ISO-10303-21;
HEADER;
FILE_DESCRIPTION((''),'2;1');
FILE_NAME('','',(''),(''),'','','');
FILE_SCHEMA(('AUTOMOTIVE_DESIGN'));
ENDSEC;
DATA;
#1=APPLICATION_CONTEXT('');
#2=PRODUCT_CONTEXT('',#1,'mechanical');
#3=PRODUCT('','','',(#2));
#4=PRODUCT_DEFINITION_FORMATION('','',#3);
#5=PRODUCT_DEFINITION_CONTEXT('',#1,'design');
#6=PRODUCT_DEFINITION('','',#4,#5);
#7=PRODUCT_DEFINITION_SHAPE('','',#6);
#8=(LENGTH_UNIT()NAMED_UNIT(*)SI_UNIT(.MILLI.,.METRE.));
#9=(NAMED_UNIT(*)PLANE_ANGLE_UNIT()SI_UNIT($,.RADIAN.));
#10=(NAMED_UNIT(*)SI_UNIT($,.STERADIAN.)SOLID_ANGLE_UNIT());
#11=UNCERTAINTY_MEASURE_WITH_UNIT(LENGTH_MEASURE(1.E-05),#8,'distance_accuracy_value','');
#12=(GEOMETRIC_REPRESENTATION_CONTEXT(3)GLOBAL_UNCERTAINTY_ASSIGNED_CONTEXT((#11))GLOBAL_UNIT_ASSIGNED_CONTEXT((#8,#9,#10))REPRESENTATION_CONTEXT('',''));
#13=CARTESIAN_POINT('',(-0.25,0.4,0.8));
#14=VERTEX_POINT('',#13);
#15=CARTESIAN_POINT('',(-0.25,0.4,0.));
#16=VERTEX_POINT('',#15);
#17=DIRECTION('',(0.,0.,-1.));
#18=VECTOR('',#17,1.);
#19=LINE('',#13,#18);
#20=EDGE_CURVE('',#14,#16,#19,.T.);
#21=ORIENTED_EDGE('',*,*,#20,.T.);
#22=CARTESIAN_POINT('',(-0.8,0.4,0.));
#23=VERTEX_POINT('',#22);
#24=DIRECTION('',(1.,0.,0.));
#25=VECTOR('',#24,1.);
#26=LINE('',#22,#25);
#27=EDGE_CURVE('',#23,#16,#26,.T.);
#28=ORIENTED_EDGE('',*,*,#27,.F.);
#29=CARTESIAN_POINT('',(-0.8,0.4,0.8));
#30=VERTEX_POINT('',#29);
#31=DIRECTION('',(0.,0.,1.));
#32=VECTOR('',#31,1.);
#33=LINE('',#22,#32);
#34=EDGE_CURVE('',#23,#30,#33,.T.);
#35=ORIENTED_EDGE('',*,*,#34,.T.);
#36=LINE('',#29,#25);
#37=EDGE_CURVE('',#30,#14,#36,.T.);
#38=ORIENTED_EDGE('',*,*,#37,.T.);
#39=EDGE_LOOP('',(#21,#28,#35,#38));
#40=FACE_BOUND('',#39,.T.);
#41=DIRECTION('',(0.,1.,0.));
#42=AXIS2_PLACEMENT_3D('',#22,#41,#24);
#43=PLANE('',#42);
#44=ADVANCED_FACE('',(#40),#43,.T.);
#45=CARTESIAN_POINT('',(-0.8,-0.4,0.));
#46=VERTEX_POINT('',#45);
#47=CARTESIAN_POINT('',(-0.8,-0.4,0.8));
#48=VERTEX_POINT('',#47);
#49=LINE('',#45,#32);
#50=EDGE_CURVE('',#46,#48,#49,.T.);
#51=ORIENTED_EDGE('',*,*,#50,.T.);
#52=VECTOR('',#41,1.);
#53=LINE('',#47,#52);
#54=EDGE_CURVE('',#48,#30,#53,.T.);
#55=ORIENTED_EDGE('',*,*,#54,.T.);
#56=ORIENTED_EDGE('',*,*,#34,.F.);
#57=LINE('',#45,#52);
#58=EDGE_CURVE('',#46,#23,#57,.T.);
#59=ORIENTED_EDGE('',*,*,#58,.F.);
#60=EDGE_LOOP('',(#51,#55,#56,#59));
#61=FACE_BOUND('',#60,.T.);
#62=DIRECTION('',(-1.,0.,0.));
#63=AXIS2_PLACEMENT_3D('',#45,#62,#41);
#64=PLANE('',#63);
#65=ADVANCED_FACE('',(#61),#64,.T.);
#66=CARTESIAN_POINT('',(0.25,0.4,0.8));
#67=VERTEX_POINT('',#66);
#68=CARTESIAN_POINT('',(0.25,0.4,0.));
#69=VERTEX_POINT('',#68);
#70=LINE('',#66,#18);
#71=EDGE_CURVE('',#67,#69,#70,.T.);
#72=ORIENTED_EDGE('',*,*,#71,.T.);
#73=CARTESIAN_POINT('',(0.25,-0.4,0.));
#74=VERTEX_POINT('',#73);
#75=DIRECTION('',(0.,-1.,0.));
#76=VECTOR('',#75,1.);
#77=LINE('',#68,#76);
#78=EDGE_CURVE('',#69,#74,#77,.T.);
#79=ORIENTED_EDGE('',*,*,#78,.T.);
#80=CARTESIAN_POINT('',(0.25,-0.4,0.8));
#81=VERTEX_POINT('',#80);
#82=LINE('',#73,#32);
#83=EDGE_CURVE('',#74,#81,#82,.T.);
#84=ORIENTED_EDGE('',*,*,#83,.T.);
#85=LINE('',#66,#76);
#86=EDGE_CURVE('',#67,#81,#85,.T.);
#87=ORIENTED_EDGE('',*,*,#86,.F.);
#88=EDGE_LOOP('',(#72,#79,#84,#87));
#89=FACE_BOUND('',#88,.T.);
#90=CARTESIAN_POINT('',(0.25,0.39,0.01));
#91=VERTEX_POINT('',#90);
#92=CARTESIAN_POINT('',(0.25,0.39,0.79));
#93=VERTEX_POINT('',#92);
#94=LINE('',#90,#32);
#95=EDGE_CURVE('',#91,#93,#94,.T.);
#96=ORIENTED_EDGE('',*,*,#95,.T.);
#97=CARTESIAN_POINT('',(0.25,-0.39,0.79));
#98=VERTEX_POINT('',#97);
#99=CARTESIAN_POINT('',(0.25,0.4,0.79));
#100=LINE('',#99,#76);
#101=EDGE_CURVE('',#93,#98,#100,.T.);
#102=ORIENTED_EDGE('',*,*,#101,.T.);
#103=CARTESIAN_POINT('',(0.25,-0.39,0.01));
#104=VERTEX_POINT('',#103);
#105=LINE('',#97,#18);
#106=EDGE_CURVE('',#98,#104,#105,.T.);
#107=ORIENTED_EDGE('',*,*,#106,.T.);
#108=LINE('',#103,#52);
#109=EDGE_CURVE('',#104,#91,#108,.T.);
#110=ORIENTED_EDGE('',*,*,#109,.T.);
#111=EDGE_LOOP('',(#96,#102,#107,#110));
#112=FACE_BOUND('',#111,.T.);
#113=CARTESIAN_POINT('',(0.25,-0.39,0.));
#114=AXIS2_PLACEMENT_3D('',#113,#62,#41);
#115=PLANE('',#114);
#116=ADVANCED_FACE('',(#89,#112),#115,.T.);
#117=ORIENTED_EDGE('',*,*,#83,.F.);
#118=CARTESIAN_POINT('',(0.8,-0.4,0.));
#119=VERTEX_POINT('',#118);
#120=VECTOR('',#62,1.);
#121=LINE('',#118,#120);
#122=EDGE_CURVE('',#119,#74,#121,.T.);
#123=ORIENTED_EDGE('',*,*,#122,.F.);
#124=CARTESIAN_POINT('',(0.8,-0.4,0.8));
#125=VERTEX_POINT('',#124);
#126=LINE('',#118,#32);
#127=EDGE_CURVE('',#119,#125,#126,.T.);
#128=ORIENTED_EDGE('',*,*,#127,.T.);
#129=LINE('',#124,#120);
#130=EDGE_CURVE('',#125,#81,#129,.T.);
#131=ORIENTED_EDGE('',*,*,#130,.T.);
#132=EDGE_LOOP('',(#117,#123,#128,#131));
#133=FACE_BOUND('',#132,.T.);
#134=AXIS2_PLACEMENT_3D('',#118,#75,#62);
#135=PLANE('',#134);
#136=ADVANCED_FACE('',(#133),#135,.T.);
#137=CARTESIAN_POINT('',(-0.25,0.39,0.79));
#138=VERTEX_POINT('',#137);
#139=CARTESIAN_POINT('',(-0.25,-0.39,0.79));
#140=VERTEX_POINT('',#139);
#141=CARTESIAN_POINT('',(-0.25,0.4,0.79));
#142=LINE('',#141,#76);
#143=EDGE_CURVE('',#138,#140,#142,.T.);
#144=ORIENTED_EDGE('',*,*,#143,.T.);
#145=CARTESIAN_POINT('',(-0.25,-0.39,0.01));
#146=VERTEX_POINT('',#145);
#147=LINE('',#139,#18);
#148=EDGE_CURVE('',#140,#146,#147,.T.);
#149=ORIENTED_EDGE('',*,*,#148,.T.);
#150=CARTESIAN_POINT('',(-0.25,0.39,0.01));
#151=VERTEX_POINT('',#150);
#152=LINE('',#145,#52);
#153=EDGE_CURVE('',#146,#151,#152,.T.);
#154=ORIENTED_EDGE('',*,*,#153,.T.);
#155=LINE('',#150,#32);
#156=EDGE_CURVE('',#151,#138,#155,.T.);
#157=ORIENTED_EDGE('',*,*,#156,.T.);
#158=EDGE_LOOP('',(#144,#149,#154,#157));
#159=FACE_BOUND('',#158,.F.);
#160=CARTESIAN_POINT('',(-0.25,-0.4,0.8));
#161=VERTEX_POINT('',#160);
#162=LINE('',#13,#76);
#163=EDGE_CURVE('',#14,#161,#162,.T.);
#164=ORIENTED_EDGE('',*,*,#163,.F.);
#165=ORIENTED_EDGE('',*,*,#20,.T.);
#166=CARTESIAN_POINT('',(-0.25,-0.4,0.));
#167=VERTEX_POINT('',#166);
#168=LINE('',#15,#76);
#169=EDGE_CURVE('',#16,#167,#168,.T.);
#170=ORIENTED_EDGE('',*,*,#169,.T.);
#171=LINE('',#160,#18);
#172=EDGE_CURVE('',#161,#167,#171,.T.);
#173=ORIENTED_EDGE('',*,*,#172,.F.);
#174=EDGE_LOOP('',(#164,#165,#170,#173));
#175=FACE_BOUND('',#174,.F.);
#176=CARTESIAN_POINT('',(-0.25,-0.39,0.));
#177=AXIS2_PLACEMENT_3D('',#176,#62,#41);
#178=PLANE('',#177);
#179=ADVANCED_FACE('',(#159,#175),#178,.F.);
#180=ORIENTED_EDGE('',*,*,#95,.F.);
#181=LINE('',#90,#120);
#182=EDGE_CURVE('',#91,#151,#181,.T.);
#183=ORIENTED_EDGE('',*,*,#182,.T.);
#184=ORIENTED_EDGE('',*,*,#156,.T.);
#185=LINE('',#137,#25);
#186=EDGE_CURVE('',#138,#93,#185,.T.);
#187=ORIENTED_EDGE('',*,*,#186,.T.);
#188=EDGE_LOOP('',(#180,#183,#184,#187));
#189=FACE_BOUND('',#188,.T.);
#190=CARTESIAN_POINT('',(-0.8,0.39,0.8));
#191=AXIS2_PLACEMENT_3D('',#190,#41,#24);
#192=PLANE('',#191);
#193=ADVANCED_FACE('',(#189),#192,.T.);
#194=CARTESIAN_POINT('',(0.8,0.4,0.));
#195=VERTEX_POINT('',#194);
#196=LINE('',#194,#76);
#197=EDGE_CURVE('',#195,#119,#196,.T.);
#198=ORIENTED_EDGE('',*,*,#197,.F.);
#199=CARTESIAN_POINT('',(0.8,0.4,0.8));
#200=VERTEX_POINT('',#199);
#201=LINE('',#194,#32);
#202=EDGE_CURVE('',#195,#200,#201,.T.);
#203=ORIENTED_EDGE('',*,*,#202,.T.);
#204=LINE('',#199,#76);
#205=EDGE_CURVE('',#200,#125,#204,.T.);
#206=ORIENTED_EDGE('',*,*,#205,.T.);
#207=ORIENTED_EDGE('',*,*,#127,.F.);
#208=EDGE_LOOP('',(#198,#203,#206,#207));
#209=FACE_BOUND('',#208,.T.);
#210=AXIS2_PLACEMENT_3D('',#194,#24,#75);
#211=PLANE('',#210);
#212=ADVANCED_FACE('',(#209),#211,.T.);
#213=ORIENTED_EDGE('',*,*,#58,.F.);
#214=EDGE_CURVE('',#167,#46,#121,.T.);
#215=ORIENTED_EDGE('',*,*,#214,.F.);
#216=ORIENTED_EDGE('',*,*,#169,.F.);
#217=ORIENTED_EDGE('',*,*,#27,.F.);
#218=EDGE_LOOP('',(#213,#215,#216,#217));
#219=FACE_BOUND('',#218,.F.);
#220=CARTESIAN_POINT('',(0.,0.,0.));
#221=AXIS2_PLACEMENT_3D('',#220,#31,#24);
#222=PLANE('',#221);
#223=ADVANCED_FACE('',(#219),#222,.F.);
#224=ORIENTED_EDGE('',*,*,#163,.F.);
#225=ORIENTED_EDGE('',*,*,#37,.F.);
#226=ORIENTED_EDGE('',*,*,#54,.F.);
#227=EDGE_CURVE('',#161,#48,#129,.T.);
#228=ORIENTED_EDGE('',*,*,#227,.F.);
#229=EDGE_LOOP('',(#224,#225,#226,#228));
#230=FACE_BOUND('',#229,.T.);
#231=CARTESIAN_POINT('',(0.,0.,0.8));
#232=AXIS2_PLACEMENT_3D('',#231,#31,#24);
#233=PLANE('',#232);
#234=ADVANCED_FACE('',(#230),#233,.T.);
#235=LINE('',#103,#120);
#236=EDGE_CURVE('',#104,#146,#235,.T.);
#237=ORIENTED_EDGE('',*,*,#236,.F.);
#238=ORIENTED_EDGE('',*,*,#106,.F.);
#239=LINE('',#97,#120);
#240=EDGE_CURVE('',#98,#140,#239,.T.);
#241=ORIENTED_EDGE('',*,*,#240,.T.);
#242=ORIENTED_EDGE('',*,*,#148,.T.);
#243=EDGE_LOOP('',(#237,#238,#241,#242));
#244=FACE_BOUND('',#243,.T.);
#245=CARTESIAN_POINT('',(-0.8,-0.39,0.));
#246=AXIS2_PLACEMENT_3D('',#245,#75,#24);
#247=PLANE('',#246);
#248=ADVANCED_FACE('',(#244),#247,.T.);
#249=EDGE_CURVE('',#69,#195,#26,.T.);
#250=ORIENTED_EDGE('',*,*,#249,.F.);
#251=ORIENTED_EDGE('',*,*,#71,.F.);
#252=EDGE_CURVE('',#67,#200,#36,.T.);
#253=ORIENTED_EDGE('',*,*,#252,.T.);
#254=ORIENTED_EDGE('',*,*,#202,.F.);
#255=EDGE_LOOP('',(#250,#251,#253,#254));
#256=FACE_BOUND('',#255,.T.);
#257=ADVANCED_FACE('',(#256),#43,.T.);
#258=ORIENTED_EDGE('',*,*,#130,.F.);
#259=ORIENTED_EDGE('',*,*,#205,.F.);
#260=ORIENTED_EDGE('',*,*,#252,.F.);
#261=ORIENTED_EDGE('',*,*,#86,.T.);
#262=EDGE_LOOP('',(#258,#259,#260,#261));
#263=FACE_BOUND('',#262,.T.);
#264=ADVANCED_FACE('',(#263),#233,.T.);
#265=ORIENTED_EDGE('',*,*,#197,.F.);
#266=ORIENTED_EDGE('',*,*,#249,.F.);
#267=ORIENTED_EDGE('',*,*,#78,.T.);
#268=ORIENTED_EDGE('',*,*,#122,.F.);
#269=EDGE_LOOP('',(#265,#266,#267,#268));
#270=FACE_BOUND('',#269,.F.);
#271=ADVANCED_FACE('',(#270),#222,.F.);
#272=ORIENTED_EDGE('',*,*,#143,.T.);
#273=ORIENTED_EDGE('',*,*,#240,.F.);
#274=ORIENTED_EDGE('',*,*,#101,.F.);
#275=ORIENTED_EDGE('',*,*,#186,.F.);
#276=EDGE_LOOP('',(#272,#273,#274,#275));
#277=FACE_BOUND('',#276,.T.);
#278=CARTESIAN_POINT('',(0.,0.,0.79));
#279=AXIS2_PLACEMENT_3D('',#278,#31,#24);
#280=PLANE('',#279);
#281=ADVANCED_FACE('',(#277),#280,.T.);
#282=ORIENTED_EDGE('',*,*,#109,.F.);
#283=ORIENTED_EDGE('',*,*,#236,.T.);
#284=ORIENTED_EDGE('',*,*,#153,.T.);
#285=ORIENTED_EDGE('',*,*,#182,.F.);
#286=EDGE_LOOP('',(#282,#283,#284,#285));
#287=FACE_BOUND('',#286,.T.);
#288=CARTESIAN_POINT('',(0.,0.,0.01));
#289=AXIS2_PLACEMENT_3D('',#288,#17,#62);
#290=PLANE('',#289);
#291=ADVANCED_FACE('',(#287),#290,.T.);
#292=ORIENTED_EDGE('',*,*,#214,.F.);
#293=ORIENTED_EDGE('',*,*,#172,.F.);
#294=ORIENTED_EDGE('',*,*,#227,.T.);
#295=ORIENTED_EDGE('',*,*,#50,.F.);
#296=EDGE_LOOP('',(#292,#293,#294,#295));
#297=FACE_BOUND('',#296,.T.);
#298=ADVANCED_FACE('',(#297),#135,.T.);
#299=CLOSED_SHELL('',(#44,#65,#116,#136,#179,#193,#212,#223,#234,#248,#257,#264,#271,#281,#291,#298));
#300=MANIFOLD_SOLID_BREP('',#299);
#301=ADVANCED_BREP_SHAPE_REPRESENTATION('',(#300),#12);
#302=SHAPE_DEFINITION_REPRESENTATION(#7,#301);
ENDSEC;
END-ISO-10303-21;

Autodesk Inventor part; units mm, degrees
ref_plane "YZ Plane" through (0, 0, 0) normal (1, 0, 0) x (0, 1, 0)
ref_plane "XZ Plane" through (0, 0, 0) normal (0, 1, 0) x (-1, 0, 0)
ref_plane "XY Plane" through (0, 0, 0) normal (0, 0, 1) x (1, 0, 0)
sketch "Эскиз1" plane through (0, 0, 0) normal (0, 0, 1) x (1, 0, 0)
  line L0 (-0.8, 0.4) -> (0.8, 0.4)
  line L1 (0.8, 0.4) -> (0.8, -0.4)
  line L2 (0.8, -0.4) -> (-0.8, -0.4)
  line L3 (-0.8, -0.4) -> (-0.8, 0.4)
  point P0 (0, 0)
  dimension "d0" = 1.6
  dimension "d1" = 0.8
  dimension "d2" = 0.8
  dimension "d3" = 0.8
  dimension "d4" = 0.4
  dimension "d5" = 0.4
extrude "Выдавливание1" add sketch "Эскиз1" along normal blind 0.8
sketch "Эскиз2" plane through (0, 0, 0.8) normal (0, 0, 1) x (1, 0, 0)
  line L0 (0.8, 0.4) -> (0.8, -0.4) projected
  line L1 (-0.8, 0.4) -> (0.8, 0.4) projected
  line L2 (-0.8, -0.4) -> (-0.8, 0.4) projected
  line L3 (0.8, -0.4) -> (-0.8, -0.4) projected
  line L4 (-0.25, 0.4) -> (-0.25, -0.4)
  line L5 (0.25, 0.4) -> (0.25, -0.4)
  point P0 (0, 0)
  dimension "d10" = 0.5
  dimension "d11" = 0.55
  dimension "d12" = 0.55
extrude "Выдавливание2" cut sketch "Эскиз2" against normal blind 0.01 contours L5 L3 L4 L1
sketch "Эскиз3" plane through (-0.8, -0.4, 0) normal (0, -1, 0) x (1, 0, 0)
  line L0 (1.6, 0) -> (0, 0) projected
  line L1 (1.05, 0.79) -> (0.55, 0.79) projected
  line L2 (0.55, 0.79) -> (0.55, 0)
  line L3 (1.05, 0.79) -> (1.05, 0)
  point P0 (0.8, 0)
extrude "Выдавливание3" cut sketch "Эскиз3" against normal blind 0.01
sketch "Эскиз4" plane through (0, 0, 0) normal (0, 0, -1) x (-1, 0, 0)
  line L0 (-0.25, -0.39) -> (0.25, -0.39) projected
  line L1 (0.8, 0.4) -> (-0.8, 0.4) projected
  line L2 (0.25, -0.39) -> (0.25, 0.4)
  line L3 (-0.25, -0.39) -> (-0.25, 0.4)
  point P0 (0, 0)
extrude "Выдавливание4" cut sketch "Эскиз4" against normal blind 0.01
sketch "Эскиз5" plane through (-0.8, 0.4, 0.8) normal (0, 1, 0) x (1, 0, 0)
  line L0 (0.55, 0.01) -> (1.05, 0.01) projected
  line L1 (1.05, 0.79) -> (0.55, 0.79) projected
  line L2 (0.55, 0.79) -> (0.55, 0.01)
  line L3 (1.05, 0.79) -> (1.05, 0.01)
  point P0 (0.8, 0.8)
extrude "Выдавливание5" cut sketch "Эскиз5" against normal blind 0.01
equation "\"d2\" = d3"
equation "\"d4\" = d5"
equation "\"d11\" = d12"
properties part number "0603"
